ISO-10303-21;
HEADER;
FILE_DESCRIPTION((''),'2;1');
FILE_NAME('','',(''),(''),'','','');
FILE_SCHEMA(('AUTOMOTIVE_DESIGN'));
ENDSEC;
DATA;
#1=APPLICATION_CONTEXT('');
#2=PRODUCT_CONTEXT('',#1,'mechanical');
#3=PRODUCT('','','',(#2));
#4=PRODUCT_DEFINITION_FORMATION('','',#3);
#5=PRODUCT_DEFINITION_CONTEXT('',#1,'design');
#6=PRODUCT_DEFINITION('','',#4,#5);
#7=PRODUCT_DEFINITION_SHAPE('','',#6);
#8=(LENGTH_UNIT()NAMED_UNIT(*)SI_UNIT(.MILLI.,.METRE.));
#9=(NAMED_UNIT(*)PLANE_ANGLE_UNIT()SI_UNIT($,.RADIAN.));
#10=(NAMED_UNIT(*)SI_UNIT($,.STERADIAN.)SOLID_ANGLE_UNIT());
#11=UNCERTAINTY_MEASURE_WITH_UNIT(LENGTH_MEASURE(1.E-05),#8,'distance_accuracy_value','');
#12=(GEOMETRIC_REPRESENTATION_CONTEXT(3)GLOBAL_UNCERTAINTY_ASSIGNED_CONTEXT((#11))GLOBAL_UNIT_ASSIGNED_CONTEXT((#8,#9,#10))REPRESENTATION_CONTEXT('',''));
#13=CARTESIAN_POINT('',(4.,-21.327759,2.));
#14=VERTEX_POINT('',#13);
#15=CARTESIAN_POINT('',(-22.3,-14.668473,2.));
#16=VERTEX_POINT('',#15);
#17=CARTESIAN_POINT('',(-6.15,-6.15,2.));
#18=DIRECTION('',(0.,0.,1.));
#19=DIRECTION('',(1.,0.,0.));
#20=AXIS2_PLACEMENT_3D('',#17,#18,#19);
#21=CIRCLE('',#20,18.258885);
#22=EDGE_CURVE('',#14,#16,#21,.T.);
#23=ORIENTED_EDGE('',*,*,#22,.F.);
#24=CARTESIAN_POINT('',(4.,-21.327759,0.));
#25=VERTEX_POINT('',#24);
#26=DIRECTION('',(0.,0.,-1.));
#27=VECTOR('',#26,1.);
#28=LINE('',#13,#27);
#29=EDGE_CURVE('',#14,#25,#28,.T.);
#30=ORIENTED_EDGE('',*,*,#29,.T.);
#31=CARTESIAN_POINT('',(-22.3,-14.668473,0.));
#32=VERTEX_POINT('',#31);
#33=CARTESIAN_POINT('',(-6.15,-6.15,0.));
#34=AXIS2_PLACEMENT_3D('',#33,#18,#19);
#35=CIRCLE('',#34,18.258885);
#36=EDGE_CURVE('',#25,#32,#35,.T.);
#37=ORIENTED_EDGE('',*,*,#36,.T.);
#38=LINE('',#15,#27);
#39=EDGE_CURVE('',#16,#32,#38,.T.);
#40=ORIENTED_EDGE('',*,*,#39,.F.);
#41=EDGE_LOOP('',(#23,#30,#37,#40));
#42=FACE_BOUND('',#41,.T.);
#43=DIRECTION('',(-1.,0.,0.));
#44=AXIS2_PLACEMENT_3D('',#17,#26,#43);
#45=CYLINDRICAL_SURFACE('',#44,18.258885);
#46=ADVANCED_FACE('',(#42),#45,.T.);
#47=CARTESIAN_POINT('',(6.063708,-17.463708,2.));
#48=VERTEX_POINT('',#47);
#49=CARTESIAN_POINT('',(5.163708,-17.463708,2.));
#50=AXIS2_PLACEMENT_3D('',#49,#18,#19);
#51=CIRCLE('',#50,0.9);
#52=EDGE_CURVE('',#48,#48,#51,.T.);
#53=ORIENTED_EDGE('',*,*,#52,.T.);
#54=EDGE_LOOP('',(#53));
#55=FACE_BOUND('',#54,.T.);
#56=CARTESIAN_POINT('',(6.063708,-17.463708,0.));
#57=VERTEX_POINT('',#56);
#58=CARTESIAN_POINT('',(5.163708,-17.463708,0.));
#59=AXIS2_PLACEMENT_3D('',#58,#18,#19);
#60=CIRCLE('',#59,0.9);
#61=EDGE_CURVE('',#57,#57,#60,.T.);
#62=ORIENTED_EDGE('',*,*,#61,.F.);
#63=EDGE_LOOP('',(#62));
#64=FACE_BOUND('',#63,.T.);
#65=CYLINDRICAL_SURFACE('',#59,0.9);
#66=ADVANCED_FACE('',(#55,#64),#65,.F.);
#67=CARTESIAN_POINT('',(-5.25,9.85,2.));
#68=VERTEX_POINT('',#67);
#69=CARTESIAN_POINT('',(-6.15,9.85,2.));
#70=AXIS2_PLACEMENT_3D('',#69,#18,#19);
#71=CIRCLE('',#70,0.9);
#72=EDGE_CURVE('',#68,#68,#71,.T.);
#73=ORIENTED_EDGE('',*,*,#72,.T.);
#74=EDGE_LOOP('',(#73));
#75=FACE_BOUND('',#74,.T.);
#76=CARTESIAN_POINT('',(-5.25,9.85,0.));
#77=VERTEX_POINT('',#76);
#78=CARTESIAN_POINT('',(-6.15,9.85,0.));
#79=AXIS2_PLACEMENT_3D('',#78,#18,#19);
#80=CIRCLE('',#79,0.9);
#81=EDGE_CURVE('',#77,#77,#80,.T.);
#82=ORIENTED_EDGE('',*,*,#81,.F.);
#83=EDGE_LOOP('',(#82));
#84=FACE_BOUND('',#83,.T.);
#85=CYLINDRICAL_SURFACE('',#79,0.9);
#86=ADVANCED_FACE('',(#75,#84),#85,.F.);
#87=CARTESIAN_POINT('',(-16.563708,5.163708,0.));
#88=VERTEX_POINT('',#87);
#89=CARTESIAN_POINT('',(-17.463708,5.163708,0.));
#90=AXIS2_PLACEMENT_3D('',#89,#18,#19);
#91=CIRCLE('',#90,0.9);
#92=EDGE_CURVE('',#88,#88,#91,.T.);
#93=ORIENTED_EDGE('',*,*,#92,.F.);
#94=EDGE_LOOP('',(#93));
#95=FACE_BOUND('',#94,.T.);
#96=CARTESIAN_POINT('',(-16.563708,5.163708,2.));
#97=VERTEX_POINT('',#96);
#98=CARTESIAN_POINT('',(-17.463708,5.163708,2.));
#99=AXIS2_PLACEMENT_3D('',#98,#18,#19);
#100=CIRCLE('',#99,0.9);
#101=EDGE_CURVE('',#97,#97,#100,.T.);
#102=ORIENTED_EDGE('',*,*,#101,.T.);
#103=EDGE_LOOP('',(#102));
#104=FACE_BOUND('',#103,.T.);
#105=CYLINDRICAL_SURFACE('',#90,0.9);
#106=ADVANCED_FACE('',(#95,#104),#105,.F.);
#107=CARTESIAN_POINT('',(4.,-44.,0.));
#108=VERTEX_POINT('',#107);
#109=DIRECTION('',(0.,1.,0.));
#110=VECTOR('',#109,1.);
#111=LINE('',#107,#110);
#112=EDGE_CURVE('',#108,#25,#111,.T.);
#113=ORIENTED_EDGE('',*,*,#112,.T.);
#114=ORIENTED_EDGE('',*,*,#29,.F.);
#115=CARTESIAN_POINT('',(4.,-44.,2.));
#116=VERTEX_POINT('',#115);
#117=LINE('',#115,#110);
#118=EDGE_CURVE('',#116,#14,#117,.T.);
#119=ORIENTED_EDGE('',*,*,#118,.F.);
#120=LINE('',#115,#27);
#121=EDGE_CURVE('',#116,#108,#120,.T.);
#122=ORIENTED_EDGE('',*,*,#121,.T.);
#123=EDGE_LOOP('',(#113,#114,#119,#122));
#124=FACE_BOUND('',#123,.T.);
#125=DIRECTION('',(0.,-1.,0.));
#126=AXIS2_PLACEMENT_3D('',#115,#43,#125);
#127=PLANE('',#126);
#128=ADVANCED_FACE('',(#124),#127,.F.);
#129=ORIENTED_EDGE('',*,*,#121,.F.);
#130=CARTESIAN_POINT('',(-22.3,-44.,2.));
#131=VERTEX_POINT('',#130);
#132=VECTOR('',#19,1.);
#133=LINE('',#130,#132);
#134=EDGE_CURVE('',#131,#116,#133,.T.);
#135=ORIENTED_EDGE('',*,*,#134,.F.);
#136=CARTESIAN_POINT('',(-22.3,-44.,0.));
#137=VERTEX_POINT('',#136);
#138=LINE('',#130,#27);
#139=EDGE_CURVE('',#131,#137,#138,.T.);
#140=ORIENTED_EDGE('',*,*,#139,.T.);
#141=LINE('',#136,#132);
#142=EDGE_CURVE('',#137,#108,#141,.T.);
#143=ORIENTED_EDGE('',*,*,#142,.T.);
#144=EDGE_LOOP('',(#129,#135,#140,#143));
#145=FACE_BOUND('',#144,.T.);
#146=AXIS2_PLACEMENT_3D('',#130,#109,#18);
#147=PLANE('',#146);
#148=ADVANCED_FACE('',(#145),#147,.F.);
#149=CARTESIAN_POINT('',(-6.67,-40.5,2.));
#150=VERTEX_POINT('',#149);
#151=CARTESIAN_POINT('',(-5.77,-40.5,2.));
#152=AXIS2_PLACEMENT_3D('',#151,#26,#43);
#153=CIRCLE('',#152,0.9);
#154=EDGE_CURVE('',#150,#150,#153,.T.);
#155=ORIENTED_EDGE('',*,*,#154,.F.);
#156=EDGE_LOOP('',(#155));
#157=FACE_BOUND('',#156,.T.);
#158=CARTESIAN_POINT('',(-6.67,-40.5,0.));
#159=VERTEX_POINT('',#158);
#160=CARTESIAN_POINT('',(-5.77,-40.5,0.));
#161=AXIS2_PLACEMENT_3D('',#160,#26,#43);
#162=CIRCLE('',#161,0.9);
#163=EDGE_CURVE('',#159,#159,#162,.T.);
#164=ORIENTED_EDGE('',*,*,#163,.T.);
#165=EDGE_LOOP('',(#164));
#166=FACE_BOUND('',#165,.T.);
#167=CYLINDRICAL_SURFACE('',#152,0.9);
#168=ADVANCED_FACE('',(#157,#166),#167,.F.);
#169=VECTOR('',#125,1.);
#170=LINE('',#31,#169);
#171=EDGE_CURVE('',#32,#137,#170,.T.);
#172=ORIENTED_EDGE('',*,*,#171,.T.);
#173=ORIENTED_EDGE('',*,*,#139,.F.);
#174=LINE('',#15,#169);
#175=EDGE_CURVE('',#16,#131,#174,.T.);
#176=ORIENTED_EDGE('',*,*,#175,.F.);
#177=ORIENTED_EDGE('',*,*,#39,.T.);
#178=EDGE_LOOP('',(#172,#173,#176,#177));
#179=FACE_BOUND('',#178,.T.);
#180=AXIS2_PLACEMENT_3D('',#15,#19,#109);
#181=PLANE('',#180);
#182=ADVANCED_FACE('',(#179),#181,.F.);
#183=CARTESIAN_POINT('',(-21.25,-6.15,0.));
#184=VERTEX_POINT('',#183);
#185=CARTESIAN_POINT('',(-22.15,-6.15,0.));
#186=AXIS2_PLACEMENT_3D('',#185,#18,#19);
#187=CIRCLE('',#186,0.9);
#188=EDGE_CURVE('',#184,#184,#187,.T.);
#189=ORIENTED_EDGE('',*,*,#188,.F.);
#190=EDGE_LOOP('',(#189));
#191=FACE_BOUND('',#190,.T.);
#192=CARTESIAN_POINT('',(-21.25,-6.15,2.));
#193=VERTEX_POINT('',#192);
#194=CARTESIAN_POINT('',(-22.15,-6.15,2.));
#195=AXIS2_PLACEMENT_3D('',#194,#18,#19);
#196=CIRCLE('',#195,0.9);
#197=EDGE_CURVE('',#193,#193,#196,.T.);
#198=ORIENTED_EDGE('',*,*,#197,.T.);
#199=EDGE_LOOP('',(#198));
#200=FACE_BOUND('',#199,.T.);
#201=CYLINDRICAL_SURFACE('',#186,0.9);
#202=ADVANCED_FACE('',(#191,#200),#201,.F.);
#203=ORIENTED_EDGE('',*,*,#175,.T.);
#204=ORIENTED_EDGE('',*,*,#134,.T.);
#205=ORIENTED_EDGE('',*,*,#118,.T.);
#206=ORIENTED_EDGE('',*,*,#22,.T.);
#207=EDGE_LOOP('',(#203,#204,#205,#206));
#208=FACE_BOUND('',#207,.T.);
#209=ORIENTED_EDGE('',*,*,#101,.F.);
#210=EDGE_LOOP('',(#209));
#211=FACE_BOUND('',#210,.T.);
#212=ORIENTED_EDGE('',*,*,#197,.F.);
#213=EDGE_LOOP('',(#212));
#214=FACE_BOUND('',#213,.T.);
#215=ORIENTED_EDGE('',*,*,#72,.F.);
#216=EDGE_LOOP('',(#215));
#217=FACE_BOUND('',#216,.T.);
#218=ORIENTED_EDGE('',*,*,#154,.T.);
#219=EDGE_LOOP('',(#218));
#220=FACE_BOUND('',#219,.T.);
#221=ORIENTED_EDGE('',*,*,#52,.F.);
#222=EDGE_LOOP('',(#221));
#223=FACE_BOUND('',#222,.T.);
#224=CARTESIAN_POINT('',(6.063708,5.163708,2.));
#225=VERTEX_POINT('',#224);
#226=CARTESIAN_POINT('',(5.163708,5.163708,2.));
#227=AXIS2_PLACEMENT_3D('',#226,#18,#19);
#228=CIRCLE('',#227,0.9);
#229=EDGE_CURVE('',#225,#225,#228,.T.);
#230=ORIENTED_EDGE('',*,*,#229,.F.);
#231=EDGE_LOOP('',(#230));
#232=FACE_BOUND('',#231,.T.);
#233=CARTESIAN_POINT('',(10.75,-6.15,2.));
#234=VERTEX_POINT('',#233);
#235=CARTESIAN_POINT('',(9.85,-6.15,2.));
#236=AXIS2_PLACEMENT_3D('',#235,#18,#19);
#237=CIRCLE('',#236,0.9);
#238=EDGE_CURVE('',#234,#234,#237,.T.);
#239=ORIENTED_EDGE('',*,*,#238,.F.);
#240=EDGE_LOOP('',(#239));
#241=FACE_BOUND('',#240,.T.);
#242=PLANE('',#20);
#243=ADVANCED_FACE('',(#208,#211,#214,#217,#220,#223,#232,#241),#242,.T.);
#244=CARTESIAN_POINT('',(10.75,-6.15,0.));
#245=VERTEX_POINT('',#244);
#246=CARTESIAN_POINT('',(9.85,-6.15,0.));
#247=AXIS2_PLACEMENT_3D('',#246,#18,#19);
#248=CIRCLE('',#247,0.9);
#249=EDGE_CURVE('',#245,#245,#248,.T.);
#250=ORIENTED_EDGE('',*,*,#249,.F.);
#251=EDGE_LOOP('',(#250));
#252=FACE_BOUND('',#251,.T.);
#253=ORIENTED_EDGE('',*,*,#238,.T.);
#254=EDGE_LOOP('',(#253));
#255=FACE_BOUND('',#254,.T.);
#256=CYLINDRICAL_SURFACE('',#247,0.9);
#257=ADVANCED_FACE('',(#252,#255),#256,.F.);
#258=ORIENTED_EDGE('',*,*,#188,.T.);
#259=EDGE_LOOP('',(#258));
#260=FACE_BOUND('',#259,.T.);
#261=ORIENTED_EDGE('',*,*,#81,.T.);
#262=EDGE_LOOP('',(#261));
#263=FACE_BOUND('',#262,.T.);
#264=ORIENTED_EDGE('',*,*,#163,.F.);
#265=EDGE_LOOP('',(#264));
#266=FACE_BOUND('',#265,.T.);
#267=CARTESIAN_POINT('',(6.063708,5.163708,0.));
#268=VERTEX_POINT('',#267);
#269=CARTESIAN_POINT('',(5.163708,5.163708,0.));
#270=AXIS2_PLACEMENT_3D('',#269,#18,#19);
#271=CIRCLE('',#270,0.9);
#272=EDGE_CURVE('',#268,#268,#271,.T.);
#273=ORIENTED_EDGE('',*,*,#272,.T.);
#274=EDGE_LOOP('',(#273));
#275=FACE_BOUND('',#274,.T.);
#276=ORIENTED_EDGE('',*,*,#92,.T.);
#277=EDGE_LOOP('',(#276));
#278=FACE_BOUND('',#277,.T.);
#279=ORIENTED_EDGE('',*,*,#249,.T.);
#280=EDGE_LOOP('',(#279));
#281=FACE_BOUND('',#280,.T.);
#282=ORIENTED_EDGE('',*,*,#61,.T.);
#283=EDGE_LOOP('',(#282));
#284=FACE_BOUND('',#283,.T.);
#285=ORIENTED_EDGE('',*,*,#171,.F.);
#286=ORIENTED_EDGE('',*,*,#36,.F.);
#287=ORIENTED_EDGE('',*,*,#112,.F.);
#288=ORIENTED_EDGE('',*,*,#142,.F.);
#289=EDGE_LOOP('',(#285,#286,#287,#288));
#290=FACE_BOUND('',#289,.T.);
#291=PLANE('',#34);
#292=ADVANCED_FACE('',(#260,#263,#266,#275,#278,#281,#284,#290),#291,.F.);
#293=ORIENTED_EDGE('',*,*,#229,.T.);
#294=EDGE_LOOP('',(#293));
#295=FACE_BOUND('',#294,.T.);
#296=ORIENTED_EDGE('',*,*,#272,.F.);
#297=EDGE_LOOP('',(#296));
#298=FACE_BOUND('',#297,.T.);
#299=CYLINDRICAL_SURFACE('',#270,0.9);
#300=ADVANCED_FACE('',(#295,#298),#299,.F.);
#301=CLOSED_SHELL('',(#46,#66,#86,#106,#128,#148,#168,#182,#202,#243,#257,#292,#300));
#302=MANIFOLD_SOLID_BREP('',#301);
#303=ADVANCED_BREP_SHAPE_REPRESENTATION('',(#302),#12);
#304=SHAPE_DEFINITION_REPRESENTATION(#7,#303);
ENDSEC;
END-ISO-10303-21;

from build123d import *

# Parameters (mm, degrees)
BOSS_EXTRU_1_DEPTH      = 2
ESQUISSE2_R             = 0.9
ENL_V_MAT_EXTRU_1_DEPTH = 51.356664533
ESQUISSE3_R             = 0.9
ENL_V_MAT_EXTRU_2_DEPTH = 51.356664533


with BuildPart() as part:
    # Esquisse1 → Boss.-Extru.1 (new body)
    with BuildSketch(Plane.XY):
        with BuildLine():
            Line((-22.3, -14.668472775), (-22.3, -44))
            Line((-22.3, -44), (4, -44))
            Line((4, -44), (4, -21.327759335))
            ThreePointArc((4, -21.327759335), (-1.668200766, 11.550292485), (-22.3, -14.668472775))
        make_face()
    extrude(amount=BOSS_EXTRU_1_DEPTH)

    # Esquisse2 → Enlèv. mat.-Extru.1 (cut, through all)
    with BuildSketch(Plane.XY.offset(2)):
        with Locations((9.85, -6.15)):
            Circle(ESQUISSE2_R)
        with Locations((5.163708499, -17.463708499)):
            Circle(ESQUISSE2_R)
        with Locations((-22.15, -6.15)):
            Circle(ESQUISSE2_R)
        with Locations((-17.463708499, 5.163708499)):
            Circle(ESQUISSE2_R)
        with Locations((-6.15, 9.85)):
            Circle(ESQUISSE2_R)
        with Locations((5.163708499, 5.163708499)):
            Circle(ESQUISSE2_R)
    extrude(amount=-ENL_V_MAT_EXTRU_1_DEPTH, mode=Mode.SUBTRACT)

    # Esquisse3 → Enlèv. mat.-Extru.2 (cut, through all)
    with BuildSketch(Plane(origin=(0, 0, 0), x_dir=(-1, 0, 0), z_dir=(0, 0, -1))):
        with Locations((5.77, -40.5)):
            Circle(ESQUISSE3_R)
    extrude(amount=-ENL_V_MAT_EXTRU_2_DEPTH, mode=Mode.SUBTRACT)


solid = part.part
